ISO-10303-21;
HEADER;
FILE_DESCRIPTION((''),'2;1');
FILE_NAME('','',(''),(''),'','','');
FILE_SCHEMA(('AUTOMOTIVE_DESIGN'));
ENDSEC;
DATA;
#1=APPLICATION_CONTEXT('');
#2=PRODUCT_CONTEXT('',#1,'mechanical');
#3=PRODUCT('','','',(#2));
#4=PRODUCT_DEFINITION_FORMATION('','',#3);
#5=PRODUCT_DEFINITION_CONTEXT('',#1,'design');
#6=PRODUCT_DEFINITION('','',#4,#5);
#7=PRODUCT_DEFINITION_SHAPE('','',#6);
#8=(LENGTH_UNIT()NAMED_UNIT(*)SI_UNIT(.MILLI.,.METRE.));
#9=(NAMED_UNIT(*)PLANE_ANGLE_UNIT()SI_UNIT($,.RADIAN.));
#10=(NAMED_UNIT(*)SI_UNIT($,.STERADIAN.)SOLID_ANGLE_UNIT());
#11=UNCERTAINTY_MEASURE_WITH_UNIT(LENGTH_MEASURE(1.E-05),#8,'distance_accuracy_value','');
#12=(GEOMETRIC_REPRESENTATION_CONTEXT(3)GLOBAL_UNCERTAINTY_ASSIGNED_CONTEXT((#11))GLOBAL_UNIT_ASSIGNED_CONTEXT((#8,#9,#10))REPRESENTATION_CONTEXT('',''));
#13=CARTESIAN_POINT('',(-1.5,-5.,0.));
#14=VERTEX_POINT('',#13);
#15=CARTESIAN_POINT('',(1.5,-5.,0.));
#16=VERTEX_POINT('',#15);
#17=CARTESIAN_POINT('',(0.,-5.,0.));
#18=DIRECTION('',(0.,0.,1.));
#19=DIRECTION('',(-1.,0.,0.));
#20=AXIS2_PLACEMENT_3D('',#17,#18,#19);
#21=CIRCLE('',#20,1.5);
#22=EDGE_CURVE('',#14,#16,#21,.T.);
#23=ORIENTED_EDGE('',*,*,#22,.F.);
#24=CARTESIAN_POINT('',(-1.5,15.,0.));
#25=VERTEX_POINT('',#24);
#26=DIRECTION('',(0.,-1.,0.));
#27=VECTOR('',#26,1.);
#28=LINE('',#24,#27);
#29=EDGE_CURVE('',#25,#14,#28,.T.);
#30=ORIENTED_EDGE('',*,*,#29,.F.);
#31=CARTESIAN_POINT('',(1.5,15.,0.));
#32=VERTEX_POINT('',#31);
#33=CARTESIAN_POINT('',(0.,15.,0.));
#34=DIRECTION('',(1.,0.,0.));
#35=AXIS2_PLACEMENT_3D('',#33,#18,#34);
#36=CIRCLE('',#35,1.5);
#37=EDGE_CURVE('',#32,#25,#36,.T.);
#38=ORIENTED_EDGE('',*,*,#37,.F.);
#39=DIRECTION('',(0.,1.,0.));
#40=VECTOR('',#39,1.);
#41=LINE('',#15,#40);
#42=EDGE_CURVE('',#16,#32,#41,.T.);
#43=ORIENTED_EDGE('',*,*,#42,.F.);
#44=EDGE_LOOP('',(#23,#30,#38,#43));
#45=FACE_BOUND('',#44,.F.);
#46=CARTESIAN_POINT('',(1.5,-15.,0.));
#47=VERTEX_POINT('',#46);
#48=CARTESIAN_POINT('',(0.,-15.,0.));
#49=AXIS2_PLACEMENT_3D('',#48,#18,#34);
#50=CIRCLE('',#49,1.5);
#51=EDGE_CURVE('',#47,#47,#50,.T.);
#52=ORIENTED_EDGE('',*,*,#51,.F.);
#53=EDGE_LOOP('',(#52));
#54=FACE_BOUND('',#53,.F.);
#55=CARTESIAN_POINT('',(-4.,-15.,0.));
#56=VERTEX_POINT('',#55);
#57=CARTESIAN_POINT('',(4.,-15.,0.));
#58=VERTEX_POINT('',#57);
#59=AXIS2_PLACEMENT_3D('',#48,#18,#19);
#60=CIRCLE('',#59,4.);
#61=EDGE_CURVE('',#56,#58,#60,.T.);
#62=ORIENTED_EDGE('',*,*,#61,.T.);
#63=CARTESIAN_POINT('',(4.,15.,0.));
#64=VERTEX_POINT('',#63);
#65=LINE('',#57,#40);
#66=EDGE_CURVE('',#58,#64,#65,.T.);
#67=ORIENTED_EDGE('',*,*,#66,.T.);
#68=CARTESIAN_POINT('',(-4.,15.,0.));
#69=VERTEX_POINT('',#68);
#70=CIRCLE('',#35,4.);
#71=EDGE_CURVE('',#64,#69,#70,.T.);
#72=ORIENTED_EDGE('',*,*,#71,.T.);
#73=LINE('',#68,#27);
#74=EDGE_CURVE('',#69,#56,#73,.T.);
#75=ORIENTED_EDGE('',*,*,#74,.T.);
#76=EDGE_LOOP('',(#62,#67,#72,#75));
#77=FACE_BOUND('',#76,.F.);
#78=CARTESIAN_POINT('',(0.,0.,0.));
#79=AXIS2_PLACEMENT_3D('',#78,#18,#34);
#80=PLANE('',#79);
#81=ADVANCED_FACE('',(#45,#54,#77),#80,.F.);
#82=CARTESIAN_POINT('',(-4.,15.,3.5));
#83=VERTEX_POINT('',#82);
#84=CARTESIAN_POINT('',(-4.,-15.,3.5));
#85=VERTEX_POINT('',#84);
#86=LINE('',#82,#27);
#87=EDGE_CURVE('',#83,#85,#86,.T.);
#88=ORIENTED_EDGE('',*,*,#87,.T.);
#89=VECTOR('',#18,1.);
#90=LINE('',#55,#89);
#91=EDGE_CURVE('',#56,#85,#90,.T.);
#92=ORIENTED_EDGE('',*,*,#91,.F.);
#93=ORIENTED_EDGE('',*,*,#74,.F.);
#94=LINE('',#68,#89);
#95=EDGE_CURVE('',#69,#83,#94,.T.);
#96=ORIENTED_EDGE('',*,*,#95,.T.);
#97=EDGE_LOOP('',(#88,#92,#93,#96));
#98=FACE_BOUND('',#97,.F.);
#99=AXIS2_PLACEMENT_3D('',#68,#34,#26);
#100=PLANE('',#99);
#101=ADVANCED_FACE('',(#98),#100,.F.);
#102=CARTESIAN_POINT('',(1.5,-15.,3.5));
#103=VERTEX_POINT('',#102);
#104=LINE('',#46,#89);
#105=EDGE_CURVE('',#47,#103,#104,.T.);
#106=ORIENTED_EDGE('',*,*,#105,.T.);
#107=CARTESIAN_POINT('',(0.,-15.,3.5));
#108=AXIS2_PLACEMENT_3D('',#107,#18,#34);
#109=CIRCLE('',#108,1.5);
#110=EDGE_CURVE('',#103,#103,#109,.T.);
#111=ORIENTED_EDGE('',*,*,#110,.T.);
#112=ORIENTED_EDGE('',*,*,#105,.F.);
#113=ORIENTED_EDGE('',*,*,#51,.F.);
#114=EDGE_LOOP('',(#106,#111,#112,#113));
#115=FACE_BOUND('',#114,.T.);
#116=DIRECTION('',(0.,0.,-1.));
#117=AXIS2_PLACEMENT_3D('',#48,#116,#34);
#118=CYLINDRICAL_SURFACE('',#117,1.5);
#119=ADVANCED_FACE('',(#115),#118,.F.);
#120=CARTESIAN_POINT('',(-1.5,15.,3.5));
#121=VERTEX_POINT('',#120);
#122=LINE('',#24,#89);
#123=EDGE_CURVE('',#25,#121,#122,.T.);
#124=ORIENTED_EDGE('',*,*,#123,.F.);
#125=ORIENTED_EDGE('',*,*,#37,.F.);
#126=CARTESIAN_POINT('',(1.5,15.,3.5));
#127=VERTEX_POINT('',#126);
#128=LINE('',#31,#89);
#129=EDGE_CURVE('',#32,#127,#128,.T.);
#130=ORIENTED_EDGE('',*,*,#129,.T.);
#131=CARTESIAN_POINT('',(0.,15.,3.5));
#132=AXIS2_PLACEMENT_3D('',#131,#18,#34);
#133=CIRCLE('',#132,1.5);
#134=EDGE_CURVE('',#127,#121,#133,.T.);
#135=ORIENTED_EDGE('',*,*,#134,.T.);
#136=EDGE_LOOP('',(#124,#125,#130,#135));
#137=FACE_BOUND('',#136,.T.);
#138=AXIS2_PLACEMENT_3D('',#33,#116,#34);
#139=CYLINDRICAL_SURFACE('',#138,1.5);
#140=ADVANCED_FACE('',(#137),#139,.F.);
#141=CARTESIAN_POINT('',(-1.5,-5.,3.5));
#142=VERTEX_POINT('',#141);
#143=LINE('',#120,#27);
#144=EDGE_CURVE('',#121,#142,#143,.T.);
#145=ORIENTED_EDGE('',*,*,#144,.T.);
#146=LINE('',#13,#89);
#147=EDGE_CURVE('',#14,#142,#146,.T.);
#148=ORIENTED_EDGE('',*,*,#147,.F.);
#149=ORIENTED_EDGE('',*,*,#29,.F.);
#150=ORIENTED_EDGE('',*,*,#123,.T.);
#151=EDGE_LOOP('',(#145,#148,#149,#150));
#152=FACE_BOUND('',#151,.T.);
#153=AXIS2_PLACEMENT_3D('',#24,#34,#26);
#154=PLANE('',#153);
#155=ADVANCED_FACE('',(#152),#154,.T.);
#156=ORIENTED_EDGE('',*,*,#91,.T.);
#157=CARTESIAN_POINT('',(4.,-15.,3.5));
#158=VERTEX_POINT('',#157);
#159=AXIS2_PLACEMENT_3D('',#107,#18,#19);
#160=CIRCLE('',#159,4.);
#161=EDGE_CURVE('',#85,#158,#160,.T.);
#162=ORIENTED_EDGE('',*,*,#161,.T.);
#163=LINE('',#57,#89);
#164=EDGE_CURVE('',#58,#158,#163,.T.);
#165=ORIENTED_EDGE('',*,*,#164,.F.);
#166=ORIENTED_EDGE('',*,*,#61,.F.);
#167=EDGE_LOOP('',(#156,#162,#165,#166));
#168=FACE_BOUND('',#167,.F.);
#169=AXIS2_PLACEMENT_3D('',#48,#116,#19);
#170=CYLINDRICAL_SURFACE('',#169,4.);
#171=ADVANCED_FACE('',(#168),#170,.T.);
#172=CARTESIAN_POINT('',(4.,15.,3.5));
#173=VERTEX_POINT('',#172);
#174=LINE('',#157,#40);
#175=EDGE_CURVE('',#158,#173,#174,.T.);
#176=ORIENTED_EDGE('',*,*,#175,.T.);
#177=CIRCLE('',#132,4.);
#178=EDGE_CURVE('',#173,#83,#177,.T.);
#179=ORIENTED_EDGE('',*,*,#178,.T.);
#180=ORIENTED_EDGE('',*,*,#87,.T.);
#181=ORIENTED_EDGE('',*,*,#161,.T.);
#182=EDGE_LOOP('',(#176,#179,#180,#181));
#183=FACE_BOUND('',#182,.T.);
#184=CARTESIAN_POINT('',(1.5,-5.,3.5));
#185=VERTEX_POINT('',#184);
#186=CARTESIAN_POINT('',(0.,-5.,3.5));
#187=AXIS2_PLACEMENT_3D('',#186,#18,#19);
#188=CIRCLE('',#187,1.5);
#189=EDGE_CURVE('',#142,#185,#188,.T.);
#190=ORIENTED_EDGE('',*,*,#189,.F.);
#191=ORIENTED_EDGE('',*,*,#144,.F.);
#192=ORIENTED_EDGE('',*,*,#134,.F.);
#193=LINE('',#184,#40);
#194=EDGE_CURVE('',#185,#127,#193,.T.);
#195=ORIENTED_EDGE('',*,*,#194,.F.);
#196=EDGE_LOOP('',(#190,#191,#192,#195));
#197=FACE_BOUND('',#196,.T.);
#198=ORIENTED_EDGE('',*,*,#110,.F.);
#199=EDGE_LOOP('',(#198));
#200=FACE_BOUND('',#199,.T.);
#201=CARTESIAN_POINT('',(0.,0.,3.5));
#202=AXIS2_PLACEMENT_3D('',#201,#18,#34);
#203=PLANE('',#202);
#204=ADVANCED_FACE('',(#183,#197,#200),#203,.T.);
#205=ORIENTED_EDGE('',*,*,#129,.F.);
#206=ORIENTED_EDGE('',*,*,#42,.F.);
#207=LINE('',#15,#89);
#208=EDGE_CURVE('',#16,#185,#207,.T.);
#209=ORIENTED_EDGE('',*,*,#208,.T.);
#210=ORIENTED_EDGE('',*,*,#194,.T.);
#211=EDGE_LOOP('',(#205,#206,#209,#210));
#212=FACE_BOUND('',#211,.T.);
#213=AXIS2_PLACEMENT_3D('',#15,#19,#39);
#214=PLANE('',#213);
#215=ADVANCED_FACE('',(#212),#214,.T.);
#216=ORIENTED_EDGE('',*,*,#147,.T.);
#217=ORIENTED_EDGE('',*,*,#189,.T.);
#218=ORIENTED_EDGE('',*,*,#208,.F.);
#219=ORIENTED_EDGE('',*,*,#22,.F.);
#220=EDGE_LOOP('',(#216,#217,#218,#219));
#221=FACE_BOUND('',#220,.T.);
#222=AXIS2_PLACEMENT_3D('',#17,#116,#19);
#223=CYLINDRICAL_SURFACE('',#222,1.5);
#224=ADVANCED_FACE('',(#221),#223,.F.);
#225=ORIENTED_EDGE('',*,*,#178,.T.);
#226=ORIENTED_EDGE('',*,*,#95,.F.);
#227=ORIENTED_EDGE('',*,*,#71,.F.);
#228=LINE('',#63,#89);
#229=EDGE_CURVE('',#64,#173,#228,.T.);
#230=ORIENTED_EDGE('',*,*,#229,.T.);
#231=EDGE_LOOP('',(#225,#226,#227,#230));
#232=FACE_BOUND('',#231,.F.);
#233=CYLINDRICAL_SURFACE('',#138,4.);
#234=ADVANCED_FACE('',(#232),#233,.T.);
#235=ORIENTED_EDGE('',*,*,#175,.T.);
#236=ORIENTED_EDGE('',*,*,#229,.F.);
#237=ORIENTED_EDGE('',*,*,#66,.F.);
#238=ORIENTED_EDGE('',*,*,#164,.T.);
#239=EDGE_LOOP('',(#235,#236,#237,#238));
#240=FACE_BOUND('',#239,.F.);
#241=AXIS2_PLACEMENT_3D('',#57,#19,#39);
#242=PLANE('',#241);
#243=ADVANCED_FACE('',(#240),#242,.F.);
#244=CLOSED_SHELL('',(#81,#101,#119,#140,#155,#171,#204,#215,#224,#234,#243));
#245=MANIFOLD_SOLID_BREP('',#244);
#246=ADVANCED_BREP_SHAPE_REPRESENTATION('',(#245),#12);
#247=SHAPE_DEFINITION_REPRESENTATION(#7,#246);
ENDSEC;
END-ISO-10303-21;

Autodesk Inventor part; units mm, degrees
ref_plane "YZ Plane" through (0, 0, 0) normal (1, 0, 0) x (0, 1, 0)
ref_plane "XZ Plane" through (0, 0, 0) normal (0, 1, 0) x (-1, 0, 0)
ref_plane "XY Plane" through (0, 0, 0) normal (0, 0, 1) x (1, 0, 0)
sketch "Sketch1" plane through (0, 0, 0) normal (0, 0, 1) x (1, 0, 0)
  line L0 (0, 15) -> (0, -15) construction
  line L1 (-4, 15) -> (-4, -15)
  line L2 (4, -15) -> (4, 15)
  arc A0 (4, 15) -> (-4, 15) centre (0, 15) ccw
  arc A1 (-4, -15) -> (4, -15) centre (0, -15) ccw
  circle A2 centre (0, -15) radius 1.5
  line L3 (0, -5) -> (0, 15) construction
  line L4 (1.5, -5) -> (1.5, 15)
  line L5 (-1.5, 15) -> (-1.5, -5)
  arc A3 (-1.5, -5) -> (1.5, -5) centre (0, -5) ccw
  arc A4 (1.5, 15) -> (-1.5, 15) centre (0, 15) ccw
  point P0 (0, 0)
  point P1 (0, 5)
  dimension "d0" = 15
  dimension "d1" = 8
  dimension "d2" = 3
  dimension "d3" = 10
  dimension "d4" = 3
  dimension "d5" = 10
extrude "Extrusion1" add sketch "Sketch1" along normal blind 3.5
properties part number "3DP_PLA_Measurement_Rail_Mounting_Bracket_Short" material "ABS Plastic"
